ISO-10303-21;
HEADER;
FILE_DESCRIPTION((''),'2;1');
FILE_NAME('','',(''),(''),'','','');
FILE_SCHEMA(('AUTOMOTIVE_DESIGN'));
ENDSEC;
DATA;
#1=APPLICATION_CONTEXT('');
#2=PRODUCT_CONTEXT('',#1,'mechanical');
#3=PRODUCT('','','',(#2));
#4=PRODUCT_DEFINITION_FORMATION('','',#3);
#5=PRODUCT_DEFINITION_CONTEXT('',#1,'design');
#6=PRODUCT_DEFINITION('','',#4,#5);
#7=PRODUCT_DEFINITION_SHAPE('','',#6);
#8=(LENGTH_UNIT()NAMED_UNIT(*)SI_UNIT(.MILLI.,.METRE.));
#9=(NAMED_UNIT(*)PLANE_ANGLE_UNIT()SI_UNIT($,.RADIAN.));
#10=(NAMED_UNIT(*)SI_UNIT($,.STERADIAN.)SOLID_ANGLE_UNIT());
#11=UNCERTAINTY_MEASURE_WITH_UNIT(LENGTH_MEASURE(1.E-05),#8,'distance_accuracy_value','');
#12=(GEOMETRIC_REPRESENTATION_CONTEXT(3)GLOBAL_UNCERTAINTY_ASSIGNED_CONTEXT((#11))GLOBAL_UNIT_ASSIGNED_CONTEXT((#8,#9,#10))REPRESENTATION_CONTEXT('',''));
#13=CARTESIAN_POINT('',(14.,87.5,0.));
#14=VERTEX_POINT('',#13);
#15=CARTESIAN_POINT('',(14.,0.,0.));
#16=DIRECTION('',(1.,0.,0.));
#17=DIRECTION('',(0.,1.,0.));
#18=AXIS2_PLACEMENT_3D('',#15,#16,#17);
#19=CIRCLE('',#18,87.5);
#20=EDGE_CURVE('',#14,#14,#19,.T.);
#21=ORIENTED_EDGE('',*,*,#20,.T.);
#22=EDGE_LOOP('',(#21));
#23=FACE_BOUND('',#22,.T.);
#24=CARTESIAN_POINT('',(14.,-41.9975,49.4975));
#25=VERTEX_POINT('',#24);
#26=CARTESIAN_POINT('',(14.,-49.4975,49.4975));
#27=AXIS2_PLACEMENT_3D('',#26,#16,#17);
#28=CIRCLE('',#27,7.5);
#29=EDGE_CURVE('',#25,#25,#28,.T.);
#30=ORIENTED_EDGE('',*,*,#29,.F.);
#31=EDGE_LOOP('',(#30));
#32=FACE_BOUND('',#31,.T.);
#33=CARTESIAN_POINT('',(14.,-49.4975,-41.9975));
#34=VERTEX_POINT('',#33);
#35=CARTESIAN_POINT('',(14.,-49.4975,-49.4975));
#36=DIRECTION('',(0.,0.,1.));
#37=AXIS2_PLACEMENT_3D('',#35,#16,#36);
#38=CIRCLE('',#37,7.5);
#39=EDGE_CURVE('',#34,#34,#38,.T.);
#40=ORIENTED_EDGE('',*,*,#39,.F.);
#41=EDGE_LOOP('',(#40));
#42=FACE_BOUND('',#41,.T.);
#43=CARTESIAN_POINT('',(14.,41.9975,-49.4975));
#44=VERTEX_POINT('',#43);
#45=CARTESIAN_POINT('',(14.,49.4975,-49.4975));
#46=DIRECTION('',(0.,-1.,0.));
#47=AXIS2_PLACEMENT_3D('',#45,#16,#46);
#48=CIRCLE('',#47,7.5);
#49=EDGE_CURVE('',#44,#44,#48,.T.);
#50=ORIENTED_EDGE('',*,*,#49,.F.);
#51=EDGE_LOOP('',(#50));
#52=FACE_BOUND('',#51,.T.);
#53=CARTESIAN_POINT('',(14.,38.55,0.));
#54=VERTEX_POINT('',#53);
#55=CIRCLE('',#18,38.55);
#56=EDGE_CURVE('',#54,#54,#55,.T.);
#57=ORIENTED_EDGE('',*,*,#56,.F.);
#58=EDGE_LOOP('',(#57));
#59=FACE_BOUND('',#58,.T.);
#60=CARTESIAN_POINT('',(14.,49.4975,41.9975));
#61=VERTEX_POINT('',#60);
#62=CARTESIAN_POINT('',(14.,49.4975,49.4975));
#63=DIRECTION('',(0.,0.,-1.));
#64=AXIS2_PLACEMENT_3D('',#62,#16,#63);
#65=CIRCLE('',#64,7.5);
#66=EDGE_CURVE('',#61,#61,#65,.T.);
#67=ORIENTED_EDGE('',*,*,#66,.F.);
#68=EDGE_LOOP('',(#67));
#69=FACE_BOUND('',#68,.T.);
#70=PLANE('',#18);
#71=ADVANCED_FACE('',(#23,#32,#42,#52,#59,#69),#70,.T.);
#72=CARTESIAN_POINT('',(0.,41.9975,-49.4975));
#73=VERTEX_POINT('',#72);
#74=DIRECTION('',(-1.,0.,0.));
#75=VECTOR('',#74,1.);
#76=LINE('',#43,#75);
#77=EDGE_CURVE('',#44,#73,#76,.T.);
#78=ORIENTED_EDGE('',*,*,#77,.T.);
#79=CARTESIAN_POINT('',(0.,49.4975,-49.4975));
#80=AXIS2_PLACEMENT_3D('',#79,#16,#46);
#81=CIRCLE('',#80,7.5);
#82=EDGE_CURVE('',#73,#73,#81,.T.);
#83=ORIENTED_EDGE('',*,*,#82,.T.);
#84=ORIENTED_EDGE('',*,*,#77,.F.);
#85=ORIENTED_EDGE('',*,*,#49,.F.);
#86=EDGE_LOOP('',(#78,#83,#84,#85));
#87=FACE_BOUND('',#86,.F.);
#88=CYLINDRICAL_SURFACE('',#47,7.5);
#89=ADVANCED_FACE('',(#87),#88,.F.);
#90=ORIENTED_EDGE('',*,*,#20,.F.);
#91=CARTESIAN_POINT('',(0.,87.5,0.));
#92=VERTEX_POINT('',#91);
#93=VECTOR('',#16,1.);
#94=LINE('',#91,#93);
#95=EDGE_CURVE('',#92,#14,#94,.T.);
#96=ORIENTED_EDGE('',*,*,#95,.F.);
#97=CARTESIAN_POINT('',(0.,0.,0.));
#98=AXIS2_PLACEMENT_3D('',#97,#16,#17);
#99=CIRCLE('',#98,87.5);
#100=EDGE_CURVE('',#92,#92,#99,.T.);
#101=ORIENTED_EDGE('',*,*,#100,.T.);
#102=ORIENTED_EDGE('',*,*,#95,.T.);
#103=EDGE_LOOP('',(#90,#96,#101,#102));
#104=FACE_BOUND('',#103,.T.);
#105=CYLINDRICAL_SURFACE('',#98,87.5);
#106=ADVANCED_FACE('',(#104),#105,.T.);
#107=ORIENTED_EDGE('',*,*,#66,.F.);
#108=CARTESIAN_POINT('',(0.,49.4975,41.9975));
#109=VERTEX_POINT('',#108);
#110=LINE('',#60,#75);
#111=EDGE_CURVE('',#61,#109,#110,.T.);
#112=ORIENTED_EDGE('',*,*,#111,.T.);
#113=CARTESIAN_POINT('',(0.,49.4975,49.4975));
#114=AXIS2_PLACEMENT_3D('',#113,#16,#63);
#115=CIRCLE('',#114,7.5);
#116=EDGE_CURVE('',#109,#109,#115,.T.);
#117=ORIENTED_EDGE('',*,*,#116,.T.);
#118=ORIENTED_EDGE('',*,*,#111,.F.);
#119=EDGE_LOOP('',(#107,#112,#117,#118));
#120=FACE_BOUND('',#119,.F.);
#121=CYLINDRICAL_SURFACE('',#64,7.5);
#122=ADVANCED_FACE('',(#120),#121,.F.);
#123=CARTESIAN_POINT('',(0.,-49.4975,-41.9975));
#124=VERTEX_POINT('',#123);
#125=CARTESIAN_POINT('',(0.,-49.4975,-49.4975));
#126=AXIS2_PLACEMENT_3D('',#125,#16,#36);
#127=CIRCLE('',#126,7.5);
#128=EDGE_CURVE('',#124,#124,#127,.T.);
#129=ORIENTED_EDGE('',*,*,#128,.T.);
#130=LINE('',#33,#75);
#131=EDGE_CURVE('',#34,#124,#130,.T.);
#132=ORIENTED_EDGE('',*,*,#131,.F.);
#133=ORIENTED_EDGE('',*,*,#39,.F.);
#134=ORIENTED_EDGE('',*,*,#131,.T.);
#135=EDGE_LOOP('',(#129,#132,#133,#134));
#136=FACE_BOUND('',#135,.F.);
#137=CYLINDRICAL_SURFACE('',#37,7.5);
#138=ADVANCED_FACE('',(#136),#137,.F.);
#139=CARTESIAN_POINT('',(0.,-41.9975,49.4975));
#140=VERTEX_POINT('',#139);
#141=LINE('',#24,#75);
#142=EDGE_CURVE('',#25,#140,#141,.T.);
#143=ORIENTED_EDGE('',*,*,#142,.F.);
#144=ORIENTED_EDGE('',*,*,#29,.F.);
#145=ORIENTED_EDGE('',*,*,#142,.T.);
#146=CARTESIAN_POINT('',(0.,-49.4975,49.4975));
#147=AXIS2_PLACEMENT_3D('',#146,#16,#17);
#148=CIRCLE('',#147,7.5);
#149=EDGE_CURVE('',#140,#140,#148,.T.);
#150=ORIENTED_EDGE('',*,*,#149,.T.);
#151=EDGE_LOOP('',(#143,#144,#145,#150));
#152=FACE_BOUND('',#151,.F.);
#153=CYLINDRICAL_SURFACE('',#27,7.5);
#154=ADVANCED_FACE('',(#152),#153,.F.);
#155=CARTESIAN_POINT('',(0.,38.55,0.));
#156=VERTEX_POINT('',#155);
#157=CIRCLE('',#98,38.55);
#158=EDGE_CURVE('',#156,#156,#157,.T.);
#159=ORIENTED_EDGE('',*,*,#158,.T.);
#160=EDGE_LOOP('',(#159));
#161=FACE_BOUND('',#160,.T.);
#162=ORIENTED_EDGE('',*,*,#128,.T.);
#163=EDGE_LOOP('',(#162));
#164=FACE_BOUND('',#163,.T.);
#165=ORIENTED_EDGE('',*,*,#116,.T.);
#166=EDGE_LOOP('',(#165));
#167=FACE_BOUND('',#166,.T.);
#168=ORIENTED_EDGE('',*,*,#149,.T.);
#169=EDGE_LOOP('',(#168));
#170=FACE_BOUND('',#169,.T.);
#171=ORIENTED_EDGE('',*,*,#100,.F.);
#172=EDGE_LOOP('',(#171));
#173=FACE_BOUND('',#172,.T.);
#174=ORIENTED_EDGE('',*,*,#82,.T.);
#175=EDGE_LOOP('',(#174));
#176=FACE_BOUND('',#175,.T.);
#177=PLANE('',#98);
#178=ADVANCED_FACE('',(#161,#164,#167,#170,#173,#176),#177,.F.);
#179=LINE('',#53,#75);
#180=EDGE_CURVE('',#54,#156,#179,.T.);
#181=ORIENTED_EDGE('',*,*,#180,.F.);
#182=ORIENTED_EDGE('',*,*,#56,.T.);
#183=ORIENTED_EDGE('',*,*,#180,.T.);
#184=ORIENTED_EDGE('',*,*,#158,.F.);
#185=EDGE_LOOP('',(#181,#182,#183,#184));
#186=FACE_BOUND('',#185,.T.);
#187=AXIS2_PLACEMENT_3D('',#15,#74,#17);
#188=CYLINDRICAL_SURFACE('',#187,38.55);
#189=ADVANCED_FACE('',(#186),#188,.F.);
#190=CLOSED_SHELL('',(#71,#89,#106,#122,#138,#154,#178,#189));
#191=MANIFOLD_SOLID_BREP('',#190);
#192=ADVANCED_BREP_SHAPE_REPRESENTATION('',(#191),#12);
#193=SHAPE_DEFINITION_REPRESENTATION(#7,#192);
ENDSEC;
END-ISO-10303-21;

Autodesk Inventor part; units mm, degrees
ref_plane "YZ Plane" through (0, 0, 0) normal (1, 0, 0) x (0, 1, 0)
ref_plane "XZ Plane" through (0, 0, 0) normal (0, 1, 0) x (-1, 0, 0)
ref_plane "XY Plane" through (0, 0, 0) normal (0, 0, 1) x (1, 0, 0)
sketch "Sketch1" plane through (0, 0, 0) normal (0, 0, 1) x (1, 0, 0)
  line L0 (0, 0) -> (14, 0) construction
  line L1 (14, 0) -> (14, 38.55) construction
  line L2 (14, 38.55) -> (0, 38.55)
  line L3 (0, 38.55) -> (0, 0) construction
  line L4 (0, 38.55) -> (0, 87.5)
  line L5 (0, 87.5) -> (14, 87.5)
  line L6 (14, 87.5) -> (14, 38.55)
  dimension "d1" = 14
  dimension "d2" = 77.1
  dimension "d3" = 175
revolve "Revolution1" add sketch "Sketch1" angle 360 about axis through (0, 0, 0) along (1, 0, 0)
sketch "Sketch2" plane through (14, 0, 0) normal (1, 0, 0) x (0, 0, -1)
  circle A0 centre (0, 0) radius 87.5 projected
  circle A1 centre (-49.4975, 49.4975) radius 7.5
  circle A2 centre (0, 0) radius 70 construction
  line L0 (-49.4975, 49.4975) -> (0, 0) construction
  circle A3 centre (0, 0) radius 38.55 projected
  line L1 (0, 0) -> (-70, 0) construction
  dimension "d5" = 140
  dimension "d6" = 15
  dimension "d12" = 45
extrude "Extrusion1" cut sketch "Sketch2" against normal through all contours A1
pattern_circular "Circular Pattern1" count 4 over 360 about axis through (7, 0, 0) along (1, 0, 0) of "Extrusion1"
equation "\"d5\" = C1"
equation "\"d6\" = h1"
equation "\"d1\" = t"
equation "\"d2\" = d0"
equation "\"d3\" = D"
equation "\"d0\" = 77.1"
equation "\"D\" = 175"
equation "\"t\" = 14"
equation "\"C1\" = 140"
equation "\"h1\" = 15"
properties part number "JIS B 2220 Slip-On Welding Thin Plate Type Flange SOP - 10K 65" material "Steel"
